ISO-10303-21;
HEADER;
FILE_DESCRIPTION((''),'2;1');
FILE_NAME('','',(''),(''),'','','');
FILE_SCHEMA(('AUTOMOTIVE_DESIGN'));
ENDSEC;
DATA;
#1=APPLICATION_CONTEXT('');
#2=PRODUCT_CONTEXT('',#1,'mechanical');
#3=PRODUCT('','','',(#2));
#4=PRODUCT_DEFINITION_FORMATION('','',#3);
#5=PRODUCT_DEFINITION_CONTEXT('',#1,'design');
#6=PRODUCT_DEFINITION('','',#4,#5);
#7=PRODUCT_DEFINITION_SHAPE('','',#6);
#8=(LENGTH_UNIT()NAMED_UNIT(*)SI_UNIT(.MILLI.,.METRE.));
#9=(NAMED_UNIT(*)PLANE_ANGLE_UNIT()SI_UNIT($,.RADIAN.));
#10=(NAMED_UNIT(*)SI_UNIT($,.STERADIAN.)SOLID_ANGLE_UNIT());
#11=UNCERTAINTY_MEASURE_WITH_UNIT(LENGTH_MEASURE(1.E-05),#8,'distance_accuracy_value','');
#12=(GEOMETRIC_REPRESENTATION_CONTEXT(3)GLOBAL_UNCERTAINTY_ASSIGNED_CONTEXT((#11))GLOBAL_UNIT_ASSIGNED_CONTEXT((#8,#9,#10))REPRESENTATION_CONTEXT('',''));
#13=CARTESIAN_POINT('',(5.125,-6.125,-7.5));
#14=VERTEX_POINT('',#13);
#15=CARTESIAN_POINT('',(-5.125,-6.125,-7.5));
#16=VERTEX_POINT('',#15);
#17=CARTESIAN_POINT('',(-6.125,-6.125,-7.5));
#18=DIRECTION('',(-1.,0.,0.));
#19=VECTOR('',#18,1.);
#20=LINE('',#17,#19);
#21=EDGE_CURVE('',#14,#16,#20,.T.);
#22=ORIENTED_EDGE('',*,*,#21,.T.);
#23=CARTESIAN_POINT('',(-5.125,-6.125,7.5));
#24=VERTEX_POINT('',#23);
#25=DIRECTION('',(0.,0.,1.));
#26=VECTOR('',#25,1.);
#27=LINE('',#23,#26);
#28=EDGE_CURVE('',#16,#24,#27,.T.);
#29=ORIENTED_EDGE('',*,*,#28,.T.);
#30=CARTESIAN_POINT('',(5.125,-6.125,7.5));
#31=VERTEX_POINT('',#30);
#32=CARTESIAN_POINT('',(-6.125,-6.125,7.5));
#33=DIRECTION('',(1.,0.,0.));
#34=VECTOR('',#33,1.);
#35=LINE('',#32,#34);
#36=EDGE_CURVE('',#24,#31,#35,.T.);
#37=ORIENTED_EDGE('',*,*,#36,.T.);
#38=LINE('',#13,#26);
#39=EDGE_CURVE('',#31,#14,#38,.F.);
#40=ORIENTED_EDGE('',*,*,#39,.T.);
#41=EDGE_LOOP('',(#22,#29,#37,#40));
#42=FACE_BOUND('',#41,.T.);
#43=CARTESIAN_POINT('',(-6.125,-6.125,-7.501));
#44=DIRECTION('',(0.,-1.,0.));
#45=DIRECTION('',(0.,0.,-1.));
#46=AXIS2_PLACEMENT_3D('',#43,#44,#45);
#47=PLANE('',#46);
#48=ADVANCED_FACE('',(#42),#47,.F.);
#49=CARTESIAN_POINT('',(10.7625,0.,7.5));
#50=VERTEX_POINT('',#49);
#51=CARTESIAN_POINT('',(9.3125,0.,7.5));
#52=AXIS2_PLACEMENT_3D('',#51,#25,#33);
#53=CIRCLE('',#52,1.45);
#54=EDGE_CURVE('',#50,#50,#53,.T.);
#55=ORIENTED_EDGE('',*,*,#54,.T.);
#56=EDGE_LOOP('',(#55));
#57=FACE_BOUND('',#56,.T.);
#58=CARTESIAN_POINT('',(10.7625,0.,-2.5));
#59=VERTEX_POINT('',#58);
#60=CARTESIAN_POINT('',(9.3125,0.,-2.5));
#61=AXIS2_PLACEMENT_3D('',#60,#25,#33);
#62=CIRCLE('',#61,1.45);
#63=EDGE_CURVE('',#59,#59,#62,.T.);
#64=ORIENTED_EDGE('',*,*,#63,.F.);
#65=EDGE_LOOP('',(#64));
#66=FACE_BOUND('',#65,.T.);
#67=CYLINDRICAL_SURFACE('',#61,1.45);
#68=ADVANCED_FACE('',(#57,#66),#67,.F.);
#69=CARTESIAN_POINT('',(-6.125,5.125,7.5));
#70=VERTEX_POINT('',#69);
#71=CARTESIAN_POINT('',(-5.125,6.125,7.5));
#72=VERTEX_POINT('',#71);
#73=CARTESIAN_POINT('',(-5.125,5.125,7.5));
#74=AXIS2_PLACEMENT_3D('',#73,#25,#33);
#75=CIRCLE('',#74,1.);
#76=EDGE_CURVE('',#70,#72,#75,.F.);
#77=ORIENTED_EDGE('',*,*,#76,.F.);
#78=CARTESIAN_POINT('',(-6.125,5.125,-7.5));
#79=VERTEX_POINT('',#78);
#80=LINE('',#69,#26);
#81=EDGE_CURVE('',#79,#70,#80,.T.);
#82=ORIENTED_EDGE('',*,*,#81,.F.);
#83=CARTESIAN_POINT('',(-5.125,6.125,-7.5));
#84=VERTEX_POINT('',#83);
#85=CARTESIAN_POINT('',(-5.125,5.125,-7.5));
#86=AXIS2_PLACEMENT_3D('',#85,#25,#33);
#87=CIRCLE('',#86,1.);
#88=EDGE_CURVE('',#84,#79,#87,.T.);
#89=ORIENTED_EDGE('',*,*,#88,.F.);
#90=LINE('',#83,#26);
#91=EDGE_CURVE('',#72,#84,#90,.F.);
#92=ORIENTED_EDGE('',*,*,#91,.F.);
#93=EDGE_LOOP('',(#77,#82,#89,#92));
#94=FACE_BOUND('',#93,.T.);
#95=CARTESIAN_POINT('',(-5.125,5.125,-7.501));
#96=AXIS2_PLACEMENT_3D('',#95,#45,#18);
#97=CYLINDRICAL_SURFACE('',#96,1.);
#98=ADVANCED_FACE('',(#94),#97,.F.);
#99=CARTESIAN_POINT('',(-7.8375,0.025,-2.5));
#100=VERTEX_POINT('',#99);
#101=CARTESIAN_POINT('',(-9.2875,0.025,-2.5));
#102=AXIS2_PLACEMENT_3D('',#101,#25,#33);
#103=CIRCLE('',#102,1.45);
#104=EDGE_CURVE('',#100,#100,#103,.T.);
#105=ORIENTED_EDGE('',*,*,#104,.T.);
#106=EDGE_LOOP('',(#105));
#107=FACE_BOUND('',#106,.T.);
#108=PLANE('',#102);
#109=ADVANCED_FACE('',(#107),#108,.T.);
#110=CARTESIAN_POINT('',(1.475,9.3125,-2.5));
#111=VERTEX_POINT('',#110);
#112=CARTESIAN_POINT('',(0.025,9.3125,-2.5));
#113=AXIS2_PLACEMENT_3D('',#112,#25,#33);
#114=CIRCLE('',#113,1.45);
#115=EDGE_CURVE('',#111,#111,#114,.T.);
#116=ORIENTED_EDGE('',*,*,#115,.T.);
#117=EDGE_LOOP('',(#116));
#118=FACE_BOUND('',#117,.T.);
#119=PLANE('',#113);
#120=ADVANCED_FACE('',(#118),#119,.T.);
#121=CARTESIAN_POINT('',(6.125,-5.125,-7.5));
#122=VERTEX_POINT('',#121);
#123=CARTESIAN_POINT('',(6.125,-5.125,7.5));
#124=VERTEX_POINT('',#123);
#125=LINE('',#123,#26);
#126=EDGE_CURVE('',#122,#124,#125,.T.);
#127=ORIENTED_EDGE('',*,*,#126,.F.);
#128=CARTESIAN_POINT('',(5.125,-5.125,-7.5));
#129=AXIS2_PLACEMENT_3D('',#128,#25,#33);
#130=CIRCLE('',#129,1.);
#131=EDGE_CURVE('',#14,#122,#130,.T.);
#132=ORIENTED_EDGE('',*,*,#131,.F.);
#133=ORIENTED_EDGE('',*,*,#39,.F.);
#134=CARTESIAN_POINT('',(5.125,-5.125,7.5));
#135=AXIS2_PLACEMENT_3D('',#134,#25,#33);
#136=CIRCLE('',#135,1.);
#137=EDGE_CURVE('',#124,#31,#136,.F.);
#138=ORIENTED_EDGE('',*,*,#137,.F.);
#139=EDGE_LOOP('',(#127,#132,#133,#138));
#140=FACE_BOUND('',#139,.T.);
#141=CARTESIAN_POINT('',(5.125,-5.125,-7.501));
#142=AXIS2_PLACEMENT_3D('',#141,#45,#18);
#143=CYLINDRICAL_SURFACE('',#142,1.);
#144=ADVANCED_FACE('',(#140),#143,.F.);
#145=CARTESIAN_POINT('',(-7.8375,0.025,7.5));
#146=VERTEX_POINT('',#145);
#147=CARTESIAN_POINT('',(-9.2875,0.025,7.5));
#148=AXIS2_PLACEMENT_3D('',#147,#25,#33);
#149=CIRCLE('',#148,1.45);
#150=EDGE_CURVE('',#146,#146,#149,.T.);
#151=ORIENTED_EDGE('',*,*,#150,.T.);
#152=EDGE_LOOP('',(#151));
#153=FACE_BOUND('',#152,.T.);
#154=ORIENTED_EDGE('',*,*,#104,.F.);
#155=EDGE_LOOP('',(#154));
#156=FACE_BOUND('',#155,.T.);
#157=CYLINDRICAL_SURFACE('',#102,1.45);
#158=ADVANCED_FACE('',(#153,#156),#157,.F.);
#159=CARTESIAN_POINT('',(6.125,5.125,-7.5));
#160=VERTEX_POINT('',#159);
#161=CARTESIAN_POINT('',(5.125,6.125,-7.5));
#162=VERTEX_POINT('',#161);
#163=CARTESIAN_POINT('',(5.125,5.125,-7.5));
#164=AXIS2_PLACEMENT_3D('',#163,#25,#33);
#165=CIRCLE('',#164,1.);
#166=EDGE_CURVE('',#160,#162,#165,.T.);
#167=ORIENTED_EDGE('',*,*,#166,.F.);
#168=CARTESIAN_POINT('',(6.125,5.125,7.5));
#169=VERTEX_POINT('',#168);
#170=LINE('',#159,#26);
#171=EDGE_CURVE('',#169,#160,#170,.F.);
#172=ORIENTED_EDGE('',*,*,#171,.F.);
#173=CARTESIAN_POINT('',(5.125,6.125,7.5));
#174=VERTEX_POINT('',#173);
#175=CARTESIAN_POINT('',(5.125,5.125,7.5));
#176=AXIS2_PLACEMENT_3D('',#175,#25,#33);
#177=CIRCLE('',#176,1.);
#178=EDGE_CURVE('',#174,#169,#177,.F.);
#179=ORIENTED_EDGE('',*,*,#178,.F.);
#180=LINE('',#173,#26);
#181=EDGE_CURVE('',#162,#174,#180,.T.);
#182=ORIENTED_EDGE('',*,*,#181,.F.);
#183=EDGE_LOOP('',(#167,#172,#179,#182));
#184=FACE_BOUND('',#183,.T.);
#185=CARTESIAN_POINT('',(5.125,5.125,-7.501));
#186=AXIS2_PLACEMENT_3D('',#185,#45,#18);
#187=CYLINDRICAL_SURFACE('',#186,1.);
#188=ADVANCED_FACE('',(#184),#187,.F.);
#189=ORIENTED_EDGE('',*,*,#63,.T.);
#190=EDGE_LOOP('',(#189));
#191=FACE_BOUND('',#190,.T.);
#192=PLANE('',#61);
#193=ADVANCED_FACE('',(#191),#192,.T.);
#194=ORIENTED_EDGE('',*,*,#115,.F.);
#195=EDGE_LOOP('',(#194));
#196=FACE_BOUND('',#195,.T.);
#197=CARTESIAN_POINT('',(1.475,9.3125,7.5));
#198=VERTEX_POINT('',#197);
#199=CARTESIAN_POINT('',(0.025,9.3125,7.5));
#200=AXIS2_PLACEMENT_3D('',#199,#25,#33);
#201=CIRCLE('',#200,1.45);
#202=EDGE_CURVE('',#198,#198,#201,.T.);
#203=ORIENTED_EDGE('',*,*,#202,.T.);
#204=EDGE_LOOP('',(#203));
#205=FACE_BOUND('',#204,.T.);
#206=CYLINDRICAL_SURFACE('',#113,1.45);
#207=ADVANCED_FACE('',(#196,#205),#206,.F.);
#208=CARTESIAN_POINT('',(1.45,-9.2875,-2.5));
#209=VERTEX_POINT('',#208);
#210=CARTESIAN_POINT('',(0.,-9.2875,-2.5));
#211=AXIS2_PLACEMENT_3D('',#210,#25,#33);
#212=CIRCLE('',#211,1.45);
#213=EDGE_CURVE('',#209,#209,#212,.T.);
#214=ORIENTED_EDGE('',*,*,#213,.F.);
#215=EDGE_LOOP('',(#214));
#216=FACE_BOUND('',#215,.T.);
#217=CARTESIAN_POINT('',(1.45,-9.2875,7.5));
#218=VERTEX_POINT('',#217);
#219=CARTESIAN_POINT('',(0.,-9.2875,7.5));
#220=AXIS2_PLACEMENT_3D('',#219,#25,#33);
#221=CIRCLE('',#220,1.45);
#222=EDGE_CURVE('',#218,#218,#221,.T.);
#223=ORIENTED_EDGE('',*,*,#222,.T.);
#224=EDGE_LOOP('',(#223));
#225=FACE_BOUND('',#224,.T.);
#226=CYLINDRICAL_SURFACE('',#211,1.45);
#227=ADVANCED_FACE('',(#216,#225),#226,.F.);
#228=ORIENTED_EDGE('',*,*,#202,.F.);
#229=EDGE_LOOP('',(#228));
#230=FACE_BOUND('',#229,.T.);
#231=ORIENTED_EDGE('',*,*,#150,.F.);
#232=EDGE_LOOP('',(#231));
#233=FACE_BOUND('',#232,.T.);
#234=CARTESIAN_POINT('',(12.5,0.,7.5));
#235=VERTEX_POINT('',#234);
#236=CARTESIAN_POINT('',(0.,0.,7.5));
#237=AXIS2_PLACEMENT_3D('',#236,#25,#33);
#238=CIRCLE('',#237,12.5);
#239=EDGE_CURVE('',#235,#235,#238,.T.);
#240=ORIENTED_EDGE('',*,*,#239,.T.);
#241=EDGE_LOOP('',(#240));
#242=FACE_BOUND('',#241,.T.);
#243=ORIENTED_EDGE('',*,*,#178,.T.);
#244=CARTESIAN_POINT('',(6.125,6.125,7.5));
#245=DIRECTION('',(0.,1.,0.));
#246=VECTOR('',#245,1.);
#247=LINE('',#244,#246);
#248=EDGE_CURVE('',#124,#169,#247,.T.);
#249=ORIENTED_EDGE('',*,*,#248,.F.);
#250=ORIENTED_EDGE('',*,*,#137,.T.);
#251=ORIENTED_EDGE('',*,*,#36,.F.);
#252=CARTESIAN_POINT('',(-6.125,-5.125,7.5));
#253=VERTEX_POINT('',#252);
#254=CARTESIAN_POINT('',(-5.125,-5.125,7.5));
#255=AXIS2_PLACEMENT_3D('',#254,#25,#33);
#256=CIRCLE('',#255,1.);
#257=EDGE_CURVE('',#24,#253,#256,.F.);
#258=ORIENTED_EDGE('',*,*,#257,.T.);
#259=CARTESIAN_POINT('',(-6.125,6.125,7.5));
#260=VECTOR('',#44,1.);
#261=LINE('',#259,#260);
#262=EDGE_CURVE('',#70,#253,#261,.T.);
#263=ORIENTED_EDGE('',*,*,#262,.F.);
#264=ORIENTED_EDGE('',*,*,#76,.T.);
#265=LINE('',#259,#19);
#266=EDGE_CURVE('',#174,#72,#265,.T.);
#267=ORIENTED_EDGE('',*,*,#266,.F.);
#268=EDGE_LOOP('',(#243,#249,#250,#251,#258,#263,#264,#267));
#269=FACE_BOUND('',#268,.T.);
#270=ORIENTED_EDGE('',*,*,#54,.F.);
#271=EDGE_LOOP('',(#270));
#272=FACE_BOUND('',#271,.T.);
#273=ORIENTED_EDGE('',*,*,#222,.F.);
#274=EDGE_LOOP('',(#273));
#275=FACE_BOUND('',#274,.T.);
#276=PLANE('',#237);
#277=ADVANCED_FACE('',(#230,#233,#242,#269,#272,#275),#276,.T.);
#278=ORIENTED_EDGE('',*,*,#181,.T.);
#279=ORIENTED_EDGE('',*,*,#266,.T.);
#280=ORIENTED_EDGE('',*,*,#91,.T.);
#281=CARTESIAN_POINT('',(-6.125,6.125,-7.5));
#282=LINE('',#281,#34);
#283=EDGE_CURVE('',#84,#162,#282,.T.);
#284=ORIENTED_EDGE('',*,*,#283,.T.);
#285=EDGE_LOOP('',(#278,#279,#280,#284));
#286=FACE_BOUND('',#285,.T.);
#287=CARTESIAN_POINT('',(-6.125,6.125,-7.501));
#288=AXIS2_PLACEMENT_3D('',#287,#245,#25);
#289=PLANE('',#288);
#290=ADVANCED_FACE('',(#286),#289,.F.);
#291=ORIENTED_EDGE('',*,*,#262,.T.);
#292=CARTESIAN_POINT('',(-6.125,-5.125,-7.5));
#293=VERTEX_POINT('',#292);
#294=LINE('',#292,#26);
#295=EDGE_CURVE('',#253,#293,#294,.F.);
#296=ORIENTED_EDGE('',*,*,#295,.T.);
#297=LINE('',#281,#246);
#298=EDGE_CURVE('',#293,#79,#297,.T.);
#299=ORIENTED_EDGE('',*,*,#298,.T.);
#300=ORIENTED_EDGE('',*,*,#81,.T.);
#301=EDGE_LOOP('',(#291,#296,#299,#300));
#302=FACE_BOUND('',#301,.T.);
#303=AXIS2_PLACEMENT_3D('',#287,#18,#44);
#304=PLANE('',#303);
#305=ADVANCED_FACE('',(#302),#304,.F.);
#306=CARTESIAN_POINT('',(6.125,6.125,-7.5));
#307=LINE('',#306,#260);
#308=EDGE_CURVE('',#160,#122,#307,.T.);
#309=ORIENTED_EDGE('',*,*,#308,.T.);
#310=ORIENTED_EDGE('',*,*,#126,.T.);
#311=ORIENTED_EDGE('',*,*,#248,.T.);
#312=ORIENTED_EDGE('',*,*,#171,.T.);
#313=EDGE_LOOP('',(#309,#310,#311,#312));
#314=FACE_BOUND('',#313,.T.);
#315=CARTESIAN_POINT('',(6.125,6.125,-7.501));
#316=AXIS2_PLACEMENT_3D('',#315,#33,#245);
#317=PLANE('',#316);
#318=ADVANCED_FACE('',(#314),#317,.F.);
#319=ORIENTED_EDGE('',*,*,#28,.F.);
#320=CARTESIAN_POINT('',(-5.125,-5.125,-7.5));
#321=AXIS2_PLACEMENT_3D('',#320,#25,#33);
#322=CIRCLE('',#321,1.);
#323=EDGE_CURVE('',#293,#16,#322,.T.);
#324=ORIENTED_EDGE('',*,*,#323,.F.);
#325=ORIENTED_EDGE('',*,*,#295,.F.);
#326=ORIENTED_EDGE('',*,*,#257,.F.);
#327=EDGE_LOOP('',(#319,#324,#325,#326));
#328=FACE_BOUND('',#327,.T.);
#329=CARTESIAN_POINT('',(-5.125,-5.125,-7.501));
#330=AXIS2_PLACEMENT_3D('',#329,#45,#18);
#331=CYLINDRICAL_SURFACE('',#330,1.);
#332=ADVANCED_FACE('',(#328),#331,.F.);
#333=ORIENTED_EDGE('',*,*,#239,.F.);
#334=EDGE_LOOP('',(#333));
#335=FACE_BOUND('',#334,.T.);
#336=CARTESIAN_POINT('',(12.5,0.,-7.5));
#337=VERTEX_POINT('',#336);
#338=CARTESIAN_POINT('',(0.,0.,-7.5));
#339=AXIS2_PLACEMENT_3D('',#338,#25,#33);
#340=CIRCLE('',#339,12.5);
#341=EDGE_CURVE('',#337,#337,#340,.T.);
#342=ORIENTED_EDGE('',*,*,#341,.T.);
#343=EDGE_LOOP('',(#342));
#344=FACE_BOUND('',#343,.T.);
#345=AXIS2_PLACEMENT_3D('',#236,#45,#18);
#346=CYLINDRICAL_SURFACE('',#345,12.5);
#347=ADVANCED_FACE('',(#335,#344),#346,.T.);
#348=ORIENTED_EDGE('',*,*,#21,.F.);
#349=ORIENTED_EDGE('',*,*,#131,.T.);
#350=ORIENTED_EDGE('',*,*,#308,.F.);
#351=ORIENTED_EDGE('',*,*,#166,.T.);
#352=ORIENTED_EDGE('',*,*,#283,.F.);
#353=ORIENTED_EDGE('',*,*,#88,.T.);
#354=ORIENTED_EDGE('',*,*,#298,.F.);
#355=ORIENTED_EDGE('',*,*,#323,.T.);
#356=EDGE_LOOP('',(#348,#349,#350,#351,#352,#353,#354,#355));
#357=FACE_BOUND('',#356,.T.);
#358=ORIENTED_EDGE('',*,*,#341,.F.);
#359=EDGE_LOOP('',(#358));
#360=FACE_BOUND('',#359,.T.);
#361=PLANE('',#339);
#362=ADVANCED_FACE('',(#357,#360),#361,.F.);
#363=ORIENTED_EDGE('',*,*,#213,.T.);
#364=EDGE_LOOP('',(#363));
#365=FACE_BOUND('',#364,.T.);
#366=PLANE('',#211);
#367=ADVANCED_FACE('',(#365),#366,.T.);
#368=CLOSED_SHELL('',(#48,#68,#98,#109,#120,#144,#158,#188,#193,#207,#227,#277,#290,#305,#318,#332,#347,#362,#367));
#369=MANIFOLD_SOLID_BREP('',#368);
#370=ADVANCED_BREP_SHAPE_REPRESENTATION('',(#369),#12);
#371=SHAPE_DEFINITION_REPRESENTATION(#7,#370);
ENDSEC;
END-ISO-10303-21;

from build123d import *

# Parameters (mm, degrees)
SKETCH1_R           = 12.5
BOSS_EXTRUDE1_DEPTH = 7.5
CUT_EXTRUDE3_REACH  = 25.184
SKETCH8_W           = 12.25
SKETCH8_H           = 12.25
SKETCH9_R           = 1.45
CUT_EXTRUDE4_DEPTH  = 10
FILLET1_R           = 1


with BuildPart() as part:
    # Sketch1 → Boss-Extrude1 (new, symmetric)
    with BuildSketch(Plane.XY):
        Circle(SKETCH1_R)
    extrude(amount=BOSS_EXTRUDE1_DEPTH, both=True)

    # Sketch8 → Cut-Extrude3 (cut, up to next)
    with BuildSketch(Plane.XY.offset(7.5), mode=Mode.PRIVATE) as cut_extrude3_sk1:
        Rectangle(SKETCH8_W, SKETCH8_H)
    cut_extrude3_tool1 = extrude(cut_extrude3_sk1.sketch, amount=-CUT_EXTRUDE3_REACH, mode=Mode.PRIVATE) & part.part
    add(cut_extrude3_tool1.solids().sort_by_distance((0, 0, 7.5))[0], mode=Mode.SUBTRACT)

    # Sketch9 → Cut-Extrude4 (cut)
    with BuildSketch(Plane.XY.offset(7.5)):
        with Locations((9.3125, 0)):
            Circle(SKETCH9_R)
        with Locations((0, -9.2875)):
            Circle(SKETCH9_R)
        with Locations((-9.2875, 0.025)):
            Circle(SKETCH9_R)
        with Locations((0.025, 9.3125)):
            Circle(SKETCH9_R)
    extrude(amount=-CUT_EXTRUDE4_DEPTH, mode=Mode.SUBTRACT)

    # Fillet1
    fillet1_edges = [part.edges().sort_by_distance(p)[0] for p in [
        (6.125, 6.125, 0),
        (6.125, -6.125, 0),
        (-6.125, -6.125, 0),
        (-6.125, 6.125, 0),
    ]]
    fillet(fillet1_edges, radius=FILLET1_R)


solid = part.part
